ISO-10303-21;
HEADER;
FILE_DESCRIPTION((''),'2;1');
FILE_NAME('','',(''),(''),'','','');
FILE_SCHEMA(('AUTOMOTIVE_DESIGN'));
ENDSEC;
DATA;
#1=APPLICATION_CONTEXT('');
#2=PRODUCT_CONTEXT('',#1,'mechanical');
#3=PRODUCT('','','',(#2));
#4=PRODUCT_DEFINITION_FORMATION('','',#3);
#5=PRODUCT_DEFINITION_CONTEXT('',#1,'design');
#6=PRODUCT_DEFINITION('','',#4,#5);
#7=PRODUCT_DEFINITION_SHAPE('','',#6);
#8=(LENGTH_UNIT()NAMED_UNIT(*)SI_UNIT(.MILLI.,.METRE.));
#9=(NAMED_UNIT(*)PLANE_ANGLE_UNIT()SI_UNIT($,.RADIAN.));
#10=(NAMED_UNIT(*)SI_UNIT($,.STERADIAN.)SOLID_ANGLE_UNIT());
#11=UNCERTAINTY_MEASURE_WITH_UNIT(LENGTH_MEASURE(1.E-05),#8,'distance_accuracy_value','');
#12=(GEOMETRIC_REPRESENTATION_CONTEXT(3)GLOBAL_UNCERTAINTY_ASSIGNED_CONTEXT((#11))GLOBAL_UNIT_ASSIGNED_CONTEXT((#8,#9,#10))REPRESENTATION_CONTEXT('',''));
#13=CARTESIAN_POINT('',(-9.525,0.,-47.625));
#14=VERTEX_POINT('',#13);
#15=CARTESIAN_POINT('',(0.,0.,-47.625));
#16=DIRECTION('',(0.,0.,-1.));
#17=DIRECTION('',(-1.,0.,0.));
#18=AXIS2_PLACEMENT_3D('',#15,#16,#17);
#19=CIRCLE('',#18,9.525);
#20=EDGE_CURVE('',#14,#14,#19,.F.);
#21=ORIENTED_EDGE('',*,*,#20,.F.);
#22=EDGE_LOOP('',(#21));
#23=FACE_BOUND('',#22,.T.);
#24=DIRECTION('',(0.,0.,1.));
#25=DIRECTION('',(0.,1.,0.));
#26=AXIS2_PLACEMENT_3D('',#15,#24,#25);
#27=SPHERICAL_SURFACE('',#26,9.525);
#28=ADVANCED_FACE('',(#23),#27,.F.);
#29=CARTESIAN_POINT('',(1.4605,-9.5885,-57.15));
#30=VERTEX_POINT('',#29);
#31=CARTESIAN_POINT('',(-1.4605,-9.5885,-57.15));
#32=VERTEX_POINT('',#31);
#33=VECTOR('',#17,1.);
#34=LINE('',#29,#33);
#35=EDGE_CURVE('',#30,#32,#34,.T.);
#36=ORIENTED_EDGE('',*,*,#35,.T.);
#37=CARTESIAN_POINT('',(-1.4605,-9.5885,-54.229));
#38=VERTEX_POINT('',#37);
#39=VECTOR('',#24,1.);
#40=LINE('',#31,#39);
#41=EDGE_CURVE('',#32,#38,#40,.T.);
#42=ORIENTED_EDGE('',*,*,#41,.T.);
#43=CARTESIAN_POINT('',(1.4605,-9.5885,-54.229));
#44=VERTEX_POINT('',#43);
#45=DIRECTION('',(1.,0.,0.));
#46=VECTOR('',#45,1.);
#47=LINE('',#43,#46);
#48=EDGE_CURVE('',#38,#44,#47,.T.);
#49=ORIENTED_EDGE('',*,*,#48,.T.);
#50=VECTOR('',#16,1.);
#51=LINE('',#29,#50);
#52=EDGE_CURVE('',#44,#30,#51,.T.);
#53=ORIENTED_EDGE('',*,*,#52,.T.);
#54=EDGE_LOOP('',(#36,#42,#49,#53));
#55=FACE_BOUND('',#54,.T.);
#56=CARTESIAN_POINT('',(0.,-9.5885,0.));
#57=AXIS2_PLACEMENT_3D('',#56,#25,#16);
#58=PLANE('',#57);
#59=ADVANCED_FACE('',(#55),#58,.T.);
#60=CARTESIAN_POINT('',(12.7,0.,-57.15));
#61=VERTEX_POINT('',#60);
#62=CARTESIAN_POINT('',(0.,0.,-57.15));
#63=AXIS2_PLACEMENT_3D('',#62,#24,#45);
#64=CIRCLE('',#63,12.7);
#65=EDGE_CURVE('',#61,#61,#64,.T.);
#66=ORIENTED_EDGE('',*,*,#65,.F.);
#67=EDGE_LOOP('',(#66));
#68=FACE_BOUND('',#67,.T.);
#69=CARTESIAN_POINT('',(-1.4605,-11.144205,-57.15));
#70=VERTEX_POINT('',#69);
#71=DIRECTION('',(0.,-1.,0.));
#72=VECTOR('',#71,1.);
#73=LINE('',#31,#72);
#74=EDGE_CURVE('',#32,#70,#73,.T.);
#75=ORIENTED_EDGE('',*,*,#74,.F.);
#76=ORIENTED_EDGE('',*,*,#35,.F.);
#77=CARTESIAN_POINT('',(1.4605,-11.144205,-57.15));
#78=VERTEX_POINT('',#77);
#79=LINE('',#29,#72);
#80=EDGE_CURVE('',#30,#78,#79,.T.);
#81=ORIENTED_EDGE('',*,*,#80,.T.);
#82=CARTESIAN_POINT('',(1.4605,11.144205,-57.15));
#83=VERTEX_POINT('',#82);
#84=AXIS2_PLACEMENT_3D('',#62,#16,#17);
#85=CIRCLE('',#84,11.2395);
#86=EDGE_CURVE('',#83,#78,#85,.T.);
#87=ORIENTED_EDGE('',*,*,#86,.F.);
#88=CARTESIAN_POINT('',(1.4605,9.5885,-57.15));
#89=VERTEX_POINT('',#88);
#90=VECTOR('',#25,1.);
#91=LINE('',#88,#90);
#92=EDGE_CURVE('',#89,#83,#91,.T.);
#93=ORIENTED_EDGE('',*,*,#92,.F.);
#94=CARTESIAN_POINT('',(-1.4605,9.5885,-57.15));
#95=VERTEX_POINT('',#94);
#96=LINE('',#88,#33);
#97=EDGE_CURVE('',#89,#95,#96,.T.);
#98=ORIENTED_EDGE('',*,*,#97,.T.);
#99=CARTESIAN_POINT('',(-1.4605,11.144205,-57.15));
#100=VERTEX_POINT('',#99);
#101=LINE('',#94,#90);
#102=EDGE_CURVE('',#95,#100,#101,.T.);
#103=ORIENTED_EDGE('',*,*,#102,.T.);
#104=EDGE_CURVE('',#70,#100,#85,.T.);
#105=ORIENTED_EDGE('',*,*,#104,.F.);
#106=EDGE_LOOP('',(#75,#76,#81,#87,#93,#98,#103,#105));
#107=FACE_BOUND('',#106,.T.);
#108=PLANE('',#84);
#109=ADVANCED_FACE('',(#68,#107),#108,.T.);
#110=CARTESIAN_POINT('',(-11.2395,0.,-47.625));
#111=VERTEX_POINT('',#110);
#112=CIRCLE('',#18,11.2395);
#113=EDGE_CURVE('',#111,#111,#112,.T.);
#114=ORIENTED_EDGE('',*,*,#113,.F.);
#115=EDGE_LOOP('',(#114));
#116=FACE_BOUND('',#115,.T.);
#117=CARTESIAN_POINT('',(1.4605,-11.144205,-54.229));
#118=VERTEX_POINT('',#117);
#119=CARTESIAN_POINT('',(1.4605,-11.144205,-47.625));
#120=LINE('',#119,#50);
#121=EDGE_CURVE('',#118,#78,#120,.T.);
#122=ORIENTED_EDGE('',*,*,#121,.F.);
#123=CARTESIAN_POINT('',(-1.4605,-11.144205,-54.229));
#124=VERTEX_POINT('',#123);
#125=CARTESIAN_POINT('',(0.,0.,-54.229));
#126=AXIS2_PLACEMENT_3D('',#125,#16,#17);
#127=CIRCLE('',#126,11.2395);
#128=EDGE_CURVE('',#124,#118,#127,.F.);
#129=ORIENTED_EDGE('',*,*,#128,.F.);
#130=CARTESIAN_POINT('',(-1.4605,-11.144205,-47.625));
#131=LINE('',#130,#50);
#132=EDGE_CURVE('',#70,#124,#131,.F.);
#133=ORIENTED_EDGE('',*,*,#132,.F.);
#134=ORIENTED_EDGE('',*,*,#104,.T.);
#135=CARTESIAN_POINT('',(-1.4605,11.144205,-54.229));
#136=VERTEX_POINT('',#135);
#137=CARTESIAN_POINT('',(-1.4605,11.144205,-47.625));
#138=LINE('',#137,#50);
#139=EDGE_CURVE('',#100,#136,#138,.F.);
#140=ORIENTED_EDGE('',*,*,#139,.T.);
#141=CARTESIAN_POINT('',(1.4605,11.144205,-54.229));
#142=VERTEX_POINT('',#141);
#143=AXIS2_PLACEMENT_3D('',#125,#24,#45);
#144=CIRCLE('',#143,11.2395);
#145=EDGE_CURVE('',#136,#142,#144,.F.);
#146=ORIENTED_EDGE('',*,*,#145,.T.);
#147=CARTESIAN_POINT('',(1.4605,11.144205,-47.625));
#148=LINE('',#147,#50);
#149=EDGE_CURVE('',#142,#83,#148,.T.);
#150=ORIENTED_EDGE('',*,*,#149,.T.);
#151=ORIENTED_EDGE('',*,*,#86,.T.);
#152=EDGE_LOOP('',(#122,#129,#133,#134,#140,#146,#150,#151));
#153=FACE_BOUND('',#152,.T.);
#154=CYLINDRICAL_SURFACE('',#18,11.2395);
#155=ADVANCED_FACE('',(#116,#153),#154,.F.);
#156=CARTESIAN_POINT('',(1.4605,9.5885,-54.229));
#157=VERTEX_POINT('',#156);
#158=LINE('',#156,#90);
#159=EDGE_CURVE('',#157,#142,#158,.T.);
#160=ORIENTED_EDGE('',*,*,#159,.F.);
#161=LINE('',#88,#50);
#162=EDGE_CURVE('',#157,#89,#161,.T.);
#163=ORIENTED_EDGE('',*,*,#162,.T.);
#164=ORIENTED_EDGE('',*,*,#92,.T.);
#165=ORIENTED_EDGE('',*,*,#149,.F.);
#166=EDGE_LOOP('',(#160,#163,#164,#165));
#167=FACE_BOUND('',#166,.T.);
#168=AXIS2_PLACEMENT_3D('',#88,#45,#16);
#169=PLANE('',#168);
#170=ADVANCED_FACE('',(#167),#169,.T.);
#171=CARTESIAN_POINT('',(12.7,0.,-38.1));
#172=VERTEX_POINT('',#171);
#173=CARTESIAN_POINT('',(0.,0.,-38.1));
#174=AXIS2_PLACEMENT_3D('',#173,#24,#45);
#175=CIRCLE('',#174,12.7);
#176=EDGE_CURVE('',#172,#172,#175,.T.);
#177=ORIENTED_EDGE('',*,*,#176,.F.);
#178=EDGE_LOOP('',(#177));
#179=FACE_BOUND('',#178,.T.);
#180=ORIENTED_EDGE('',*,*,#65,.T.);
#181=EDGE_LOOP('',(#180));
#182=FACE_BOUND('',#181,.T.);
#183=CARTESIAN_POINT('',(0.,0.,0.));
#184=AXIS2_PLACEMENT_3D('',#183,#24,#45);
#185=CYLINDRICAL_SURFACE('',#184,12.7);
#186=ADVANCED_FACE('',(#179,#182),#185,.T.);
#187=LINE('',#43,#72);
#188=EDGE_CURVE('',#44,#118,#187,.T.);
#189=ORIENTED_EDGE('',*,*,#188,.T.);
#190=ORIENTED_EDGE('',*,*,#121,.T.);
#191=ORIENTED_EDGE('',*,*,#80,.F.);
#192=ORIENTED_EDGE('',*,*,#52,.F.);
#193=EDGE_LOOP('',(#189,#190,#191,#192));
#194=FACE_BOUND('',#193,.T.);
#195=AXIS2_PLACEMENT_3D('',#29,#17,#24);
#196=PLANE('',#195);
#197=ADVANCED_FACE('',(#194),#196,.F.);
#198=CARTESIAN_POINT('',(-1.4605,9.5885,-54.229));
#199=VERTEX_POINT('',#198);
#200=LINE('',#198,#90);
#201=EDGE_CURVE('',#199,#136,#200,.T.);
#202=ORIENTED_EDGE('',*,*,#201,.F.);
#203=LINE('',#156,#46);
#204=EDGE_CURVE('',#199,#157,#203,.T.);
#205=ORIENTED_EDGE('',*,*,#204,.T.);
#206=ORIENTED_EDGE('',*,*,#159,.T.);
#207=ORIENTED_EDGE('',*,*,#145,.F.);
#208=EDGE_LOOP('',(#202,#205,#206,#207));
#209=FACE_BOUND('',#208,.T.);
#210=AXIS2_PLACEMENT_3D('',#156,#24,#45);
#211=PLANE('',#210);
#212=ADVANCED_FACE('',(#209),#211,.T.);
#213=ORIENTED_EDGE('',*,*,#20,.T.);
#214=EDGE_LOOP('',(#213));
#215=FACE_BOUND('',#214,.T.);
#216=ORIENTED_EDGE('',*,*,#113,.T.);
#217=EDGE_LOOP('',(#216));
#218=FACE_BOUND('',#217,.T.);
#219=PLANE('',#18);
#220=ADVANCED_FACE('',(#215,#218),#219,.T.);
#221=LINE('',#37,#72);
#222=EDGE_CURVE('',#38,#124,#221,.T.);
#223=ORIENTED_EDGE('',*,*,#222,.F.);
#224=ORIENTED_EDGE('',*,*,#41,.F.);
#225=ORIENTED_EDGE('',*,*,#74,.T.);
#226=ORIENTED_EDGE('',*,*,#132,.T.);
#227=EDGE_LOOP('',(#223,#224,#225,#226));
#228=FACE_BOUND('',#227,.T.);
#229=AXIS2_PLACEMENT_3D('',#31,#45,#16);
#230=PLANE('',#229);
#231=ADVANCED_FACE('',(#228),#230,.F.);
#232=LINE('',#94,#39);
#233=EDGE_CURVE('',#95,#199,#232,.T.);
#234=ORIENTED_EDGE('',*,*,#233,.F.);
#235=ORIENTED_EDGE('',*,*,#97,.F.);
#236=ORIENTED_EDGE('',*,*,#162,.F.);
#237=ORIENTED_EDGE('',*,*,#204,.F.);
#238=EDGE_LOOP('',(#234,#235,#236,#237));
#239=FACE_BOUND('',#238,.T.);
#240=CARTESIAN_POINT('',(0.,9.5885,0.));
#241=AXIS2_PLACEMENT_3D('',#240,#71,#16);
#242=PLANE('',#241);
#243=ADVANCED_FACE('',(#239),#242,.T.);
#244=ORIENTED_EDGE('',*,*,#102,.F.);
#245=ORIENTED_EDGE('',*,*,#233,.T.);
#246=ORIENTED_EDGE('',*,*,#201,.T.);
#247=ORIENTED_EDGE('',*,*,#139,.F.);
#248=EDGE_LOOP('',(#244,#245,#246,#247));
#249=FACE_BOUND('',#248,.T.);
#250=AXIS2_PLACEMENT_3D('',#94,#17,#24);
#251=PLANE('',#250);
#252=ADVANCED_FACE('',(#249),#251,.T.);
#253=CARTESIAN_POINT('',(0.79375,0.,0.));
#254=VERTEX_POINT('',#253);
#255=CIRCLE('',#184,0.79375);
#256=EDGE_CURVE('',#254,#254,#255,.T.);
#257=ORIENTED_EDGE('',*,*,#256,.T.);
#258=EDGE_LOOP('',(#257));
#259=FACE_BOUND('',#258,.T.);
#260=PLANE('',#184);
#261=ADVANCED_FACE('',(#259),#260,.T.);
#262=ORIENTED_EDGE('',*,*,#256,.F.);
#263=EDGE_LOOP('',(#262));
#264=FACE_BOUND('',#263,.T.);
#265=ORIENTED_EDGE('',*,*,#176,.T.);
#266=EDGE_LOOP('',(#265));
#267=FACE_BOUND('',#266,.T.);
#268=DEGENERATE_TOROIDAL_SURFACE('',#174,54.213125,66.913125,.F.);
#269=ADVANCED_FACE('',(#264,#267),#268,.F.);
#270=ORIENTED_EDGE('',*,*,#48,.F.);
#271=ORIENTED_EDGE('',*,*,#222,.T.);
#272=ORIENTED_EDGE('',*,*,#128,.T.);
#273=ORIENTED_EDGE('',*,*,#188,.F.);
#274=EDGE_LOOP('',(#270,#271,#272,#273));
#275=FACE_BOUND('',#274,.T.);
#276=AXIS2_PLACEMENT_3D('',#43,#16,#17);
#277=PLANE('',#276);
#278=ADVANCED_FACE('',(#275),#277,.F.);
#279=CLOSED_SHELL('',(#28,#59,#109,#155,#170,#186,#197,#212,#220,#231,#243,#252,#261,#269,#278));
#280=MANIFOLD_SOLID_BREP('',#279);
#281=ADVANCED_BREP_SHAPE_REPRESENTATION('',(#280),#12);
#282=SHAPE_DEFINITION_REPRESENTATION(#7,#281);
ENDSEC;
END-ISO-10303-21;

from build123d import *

# Parameters (mm, degrees)
SKETCH4_R           = 11.2395
CUT_EXTRUDE1_DEPTH  = 9.525
SKETCH5_W           = 2.921
SKETCH5_H           = 2.921
BOSS_EXTRUDE1_DEPTH = 1.8415


with BuildPart() as part:
    # Sketch3 → Revolve2 (revolve)
    with BuildSketch(Plane(origin=(0, 0, 0), x_dir=(0, 0, -1), z_dir=(1, 0, 0)), mode=Mode.PRIVATE) as revolve2_sk:
        with BuildLine():
            Line((0, 0), (38.1, 0))
            ThreePointArc((38.1, 0), (40.889807909, 6.735192091), (47.625, 9.525))
            Line((47.625, 9.525), (57.15, 9.525))
            Line((57.15, 9.525), (57.15, 12.7))
            Line((57.15, 12.7), (38.1, 12.7))
            ThreePointArc((38.1, 12.7), (18.1414881, 9.65411308), (0, 0.79375))
            Line((0, 0.79375), (0, 0))
        make_face()
    revolve(revolve2_sk.sketch.rotate(Axis((0, 0, 0), (0, 0, -1)), 90), axis=Axis((0, 0, 0), (0, 0, -1)))

    # Sketch4 → Cut-Extrude1 (cut)
    with BuildSketch(Plane(origin=(0, 0, -57.15), x_dir=(-1, 0, 0), z_dir=(0, 0, -1))):
        Circle(SKETCH4_R)
    extrude(amount=-CUT_EXTRUDE1_DEPTH, mode=Mode.SUBTRACT)

    # Sketch5 → Boss-Extrude1 (add)
    with BuildSketch(Plane(origin=(0, 11.43, 0), x_dir=(1, 0, 0), z_dir=(0, 1, 0))):
        with Locations((0, 55.6895)):
            Rectangle(SKETCH5_W, SKETCH5_H)
    boss_extrude1 = extrude(amount=-BOSS_EXTRUDE1_DEPTH)

    # Mirror1: Boss-Extrude1 across plane
    add(boss_extrude1.mirror(Plane.ZX))


solid = part.part
